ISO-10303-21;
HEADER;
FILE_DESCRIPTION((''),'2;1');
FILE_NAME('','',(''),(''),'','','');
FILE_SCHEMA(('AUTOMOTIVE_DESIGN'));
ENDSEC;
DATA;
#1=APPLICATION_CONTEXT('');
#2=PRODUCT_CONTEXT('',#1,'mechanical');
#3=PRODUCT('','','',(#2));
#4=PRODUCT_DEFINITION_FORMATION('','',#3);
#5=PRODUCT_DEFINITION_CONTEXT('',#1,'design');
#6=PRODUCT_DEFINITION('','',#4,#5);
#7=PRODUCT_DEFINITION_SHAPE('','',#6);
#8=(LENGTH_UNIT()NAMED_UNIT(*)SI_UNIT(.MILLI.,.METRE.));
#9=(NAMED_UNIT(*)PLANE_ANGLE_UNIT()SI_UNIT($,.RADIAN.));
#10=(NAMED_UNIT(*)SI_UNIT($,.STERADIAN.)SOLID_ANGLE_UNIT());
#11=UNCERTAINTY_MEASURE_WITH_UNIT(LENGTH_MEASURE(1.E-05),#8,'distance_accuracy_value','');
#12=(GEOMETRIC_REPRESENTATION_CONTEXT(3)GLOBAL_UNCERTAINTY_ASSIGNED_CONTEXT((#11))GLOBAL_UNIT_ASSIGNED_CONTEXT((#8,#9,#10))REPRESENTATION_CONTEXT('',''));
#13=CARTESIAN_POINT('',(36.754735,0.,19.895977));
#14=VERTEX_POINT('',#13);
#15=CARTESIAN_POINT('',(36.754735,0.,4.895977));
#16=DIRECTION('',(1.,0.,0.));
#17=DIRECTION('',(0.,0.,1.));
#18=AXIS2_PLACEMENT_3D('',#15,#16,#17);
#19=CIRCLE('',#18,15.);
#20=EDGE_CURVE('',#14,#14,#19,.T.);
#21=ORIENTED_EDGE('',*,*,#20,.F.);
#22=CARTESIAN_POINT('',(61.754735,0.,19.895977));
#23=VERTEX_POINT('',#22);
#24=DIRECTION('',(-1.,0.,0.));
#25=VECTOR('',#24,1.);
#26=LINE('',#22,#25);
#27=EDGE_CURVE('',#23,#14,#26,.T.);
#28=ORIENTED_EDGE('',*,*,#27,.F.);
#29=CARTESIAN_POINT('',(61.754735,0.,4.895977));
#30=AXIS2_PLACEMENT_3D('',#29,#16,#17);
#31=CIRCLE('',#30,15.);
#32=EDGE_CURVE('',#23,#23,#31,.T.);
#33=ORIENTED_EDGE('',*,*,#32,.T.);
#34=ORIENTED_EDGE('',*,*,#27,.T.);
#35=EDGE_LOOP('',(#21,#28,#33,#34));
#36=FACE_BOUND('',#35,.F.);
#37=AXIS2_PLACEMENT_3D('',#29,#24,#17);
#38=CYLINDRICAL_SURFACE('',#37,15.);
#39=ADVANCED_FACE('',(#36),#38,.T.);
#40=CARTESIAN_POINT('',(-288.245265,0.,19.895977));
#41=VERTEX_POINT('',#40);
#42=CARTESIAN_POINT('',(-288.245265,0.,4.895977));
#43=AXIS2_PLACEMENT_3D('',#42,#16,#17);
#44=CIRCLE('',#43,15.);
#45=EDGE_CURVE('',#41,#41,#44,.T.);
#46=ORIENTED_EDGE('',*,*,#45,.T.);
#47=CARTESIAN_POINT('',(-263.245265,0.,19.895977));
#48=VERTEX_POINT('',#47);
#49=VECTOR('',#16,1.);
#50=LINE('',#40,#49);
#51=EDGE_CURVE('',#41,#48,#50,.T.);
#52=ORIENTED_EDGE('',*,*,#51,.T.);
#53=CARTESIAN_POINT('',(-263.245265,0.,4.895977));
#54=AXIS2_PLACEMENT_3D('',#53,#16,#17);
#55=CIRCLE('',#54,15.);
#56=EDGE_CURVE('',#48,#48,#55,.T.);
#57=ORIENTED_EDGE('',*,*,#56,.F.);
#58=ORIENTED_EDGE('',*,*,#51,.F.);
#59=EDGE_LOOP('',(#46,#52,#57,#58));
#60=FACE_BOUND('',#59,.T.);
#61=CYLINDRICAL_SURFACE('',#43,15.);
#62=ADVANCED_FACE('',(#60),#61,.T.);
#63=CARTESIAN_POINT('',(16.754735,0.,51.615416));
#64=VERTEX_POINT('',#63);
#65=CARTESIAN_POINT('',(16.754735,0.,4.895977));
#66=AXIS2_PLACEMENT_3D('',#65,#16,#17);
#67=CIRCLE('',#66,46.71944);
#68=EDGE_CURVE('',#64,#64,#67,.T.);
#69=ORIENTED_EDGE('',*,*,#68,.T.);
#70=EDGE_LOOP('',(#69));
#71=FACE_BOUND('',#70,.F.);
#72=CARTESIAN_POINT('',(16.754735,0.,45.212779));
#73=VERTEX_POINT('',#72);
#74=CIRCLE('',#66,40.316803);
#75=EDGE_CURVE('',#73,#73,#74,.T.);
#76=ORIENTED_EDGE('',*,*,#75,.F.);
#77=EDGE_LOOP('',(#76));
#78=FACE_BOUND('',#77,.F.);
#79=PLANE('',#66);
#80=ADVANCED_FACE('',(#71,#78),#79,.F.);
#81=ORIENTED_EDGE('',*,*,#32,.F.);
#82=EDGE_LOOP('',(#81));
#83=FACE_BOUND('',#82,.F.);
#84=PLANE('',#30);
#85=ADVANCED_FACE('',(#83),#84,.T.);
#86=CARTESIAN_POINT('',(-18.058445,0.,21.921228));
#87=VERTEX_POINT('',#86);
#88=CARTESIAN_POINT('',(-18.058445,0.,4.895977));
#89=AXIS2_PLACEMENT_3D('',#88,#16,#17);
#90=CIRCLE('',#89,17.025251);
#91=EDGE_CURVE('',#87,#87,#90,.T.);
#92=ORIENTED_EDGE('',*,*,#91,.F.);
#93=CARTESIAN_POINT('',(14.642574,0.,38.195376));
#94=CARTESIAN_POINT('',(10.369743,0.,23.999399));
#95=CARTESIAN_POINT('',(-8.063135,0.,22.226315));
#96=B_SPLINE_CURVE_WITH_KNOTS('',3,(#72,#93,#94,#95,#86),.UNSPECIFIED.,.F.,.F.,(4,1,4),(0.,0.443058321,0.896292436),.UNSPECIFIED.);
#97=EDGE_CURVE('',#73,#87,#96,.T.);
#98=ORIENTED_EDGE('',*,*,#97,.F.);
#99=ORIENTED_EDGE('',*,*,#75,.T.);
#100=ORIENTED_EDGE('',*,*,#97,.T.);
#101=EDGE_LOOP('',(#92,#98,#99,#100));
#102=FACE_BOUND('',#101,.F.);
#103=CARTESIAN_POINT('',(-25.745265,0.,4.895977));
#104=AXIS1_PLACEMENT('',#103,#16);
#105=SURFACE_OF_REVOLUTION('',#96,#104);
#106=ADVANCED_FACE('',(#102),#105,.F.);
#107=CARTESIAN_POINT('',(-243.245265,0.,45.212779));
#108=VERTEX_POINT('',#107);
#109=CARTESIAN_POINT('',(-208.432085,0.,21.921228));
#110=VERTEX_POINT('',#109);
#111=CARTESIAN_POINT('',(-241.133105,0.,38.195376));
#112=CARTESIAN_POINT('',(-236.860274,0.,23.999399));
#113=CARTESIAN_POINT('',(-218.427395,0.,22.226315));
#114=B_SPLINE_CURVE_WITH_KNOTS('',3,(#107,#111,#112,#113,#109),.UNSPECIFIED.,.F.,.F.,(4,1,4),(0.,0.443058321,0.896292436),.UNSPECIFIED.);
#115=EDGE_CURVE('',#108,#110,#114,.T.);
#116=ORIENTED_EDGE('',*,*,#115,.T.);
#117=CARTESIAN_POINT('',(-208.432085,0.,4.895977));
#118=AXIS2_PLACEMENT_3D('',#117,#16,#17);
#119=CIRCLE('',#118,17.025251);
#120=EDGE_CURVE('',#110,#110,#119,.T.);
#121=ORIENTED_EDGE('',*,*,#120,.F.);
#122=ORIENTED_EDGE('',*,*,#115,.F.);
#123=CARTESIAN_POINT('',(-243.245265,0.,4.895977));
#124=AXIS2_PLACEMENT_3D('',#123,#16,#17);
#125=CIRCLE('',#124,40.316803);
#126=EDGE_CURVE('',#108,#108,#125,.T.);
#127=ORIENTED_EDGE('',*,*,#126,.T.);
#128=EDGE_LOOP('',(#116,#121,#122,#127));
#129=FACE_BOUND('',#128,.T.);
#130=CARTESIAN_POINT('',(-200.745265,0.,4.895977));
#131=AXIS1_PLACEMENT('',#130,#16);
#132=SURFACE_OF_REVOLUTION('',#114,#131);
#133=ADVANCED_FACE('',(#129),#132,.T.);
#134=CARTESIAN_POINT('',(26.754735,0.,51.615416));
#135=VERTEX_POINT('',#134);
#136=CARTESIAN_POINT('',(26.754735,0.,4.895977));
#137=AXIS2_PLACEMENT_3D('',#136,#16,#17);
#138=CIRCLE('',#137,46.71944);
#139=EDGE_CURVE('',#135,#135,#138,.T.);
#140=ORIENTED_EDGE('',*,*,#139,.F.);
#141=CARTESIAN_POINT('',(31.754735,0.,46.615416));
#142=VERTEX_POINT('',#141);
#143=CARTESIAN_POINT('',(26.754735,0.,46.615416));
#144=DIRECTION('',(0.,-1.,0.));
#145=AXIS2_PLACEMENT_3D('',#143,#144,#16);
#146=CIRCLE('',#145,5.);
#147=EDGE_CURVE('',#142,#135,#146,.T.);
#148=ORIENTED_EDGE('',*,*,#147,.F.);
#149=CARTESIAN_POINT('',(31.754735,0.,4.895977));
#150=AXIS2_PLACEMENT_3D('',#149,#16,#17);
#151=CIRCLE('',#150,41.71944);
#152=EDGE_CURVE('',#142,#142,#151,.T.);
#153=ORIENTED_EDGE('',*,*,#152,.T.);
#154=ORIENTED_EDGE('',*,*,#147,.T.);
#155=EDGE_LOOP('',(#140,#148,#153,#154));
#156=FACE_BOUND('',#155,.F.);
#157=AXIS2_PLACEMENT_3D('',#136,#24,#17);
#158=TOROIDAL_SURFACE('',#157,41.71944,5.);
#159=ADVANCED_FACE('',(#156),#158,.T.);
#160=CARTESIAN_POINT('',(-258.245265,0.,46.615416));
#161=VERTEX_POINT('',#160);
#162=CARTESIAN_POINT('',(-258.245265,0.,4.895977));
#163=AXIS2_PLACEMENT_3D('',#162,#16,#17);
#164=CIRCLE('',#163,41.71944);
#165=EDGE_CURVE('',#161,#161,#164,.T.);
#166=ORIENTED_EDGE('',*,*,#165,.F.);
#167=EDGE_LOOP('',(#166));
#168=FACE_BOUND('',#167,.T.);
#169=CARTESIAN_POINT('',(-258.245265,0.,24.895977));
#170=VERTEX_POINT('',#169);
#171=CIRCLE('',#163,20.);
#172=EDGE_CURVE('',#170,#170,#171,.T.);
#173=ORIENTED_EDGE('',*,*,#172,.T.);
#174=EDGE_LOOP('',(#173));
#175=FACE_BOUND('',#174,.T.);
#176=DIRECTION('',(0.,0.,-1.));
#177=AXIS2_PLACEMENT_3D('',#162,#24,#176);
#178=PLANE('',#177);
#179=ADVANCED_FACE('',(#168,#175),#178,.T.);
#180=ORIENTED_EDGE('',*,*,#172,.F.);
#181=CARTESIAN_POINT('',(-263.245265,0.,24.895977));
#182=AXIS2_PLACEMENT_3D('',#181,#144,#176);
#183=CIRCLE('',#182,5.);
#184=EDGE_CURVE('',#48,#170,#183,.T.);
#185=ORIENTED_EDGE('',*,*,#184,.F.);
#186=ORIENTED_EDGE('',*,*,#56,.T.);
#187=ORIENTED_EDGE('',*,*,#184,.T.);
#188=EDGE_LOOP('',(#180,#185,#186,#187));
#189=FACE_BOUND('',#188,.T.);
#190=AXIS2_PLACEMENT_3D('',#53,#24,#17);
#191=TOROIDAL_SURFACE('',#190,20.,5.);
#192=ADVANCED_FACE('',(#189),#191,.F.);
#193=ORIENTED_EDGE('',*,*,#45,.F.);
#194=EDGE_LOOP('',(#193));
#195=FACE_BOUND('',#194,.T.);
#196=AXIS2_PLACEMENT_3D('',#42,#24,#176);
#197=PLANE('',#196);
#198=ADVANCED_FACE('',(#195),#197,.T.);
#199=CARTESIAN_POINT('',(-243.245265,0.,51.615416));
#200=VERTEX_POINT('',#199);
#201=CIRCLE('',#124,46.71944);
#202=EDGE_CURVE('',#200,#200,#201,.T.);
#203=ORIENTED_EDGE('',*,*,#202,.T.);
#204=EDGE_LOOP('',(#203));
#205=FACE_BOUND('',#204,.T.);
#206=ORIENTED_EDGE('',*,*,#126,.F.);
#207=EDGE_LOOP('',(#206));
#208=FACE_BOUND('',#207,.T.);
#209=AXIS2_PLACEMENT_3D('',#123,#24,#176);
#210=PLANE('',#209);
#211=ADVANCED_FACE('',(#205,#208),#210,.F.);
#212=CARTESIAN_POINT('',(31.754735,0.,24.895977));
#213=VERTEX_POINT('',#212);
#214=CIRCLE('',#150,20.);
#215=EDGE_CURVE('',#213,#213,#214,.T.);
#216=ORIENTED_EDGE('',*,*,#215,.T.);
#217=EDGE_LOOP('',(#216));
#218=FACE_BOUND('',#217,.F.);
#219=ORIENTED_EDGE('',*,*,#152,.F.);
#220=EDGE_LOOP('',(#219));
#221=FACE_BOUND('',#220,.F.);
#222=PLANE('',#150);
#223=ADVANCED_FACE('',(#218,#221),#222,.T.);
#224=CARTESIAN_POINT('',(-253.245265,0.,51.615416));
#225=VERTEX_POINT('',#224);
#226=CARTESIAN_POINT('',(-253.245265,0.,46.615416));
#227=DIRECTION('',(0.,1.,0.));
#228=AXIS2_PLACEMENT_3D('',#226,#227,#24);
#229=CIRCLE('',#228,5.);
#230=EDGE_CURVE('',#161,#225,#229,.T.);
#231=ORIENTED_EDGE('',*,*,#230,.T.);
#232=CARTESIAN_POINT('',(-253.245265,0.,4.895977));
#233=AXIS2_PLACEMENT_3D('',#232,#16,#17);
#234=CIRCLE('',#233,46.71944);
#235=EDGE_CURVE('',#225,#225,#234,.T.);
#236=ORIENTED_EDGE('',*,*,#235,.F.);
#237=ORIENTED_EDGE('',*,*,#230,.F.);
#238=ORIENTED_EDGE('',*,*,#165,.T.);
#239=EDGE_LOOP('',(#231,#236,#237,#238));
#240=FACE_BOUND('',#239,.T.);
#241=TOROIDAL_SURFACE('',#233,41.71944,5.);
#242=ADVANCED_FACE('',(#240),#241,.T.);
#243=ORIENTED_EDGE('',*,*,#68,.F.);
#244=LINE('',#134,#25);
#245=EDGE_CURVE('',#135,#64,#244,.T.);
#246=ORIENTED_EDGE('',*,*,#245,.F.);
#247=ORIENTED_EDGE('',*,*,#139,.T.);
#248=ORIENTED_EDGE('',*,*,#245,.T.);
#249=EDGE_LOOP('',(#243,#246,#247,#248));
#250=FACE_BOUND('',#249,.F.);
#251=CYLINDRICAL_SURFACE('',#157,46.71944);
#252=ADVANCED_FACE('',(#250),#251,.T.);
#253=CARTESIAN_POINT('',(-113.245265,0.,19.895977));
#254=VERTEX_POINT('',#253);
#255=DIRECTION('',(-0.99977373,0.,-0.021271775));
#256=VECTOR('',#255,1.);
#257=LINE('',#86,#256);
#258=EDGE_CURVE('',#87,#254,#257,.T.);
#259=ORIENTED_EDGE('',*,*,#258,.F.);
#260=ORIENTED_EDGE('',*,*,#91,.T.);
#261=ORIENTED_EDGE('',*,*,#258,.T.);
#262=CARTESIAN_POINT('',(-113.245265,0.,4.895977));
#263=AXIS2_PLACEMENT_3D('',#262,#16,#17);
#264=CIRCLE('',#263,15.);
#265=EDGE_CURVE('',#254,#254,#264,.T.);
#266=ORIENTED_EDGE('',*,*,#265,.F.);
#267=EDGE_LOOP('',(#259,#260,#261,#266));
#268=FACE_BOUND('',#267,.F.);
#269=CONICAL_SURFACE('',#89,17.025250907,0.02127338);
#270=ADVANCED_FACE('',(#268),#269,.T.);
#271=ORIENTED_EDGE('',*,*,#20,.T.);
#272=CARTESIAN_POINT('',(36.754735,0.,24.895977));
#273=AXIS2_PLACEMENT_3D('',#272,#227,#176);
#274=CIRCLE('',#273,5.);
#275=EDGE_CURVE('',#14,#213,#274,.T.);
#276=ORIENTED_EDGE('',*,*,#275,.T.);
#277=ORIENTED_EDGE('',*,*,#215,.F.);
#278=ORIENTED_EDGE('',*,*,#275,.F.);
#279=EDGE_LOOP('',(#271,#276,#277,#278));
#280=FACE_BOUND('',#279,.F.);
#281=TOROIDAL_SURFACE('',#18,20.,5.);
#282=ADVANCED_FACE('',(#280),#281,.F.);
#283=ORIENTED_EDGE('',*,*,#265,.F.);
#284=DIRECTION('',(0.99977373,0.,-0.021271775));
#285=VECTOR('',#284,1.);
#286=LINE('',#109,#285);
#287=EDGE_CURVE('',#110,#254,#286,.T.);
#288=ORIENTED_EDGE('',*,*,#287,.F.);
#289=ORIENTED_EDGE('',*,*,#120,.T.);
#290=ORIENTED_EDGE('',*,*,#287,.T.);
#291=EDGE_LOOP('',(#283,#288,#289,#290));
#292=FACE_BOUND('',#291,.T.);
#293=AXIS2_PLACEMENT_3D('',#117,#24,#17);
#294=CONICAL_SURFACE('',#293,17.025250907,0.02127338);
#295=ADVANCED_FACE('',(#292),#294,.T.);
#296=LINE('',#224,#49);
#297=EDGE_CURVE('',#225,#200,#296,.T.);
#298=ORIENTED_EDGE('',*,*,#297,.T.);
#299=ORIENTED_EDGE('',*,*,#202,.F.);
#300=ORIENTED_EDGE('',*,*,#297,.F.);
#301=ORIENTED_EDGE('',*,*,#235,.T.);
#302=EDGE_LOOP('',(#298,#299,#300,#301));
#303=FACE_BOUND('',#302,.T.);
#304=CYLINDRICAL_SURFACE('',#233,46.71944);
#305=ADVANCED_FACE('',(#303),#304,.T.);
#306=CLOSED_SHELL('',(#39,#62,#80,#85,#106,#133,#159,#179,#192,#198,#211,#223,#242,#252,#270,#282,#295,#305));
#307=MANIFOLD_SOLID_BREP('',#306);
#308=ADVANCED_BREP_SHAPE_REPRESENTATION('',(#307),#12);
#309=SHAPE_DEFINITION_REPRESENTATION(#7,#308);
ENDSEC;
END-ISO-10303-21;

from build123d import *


with BuildPart() as f1:
    # F0 (on Front) → F1 (revolve)
    with BuildSketch(Plane.XZ):
        with BuildLine():
            Line((-24.9903301983, 21.7737406916), (-113.2452650991, 19.8959766657))
            Line((-113.2452650991, 19.8959766657), (-113.2452650991, 4.8959766657))
            Line((-113.2452650991, 4.8959766657), (61.7547349009, 4.8959766657))
            Line((61.7547349009, 4.8959766657), (61.7547349009, 19.8959766657))
            Line((61.7547349009, 19.8959766657), (36.7547349009, 19.8959766657))
            ThreePointArc((36.7547349009, 19.8959766657), (33.2192009949, 21.3604427598), (31.7547349009, 24.8959766657))
            Line((31.7547349009, 24.8959766657), (31.7547349009, 46.6154164807))
            ThreePointArc((31.7547349009, 46.6154164807), (30.2902688068, 50.1509503867), (26.7547349009, 51.6154164807))
            Line((26.7547349009, 51.6154164807), (16.7547349009, 51.6154164807))
            Line((16.7547349009, 51.6154164807), (16.7547349009, 45.2127791941))
            add(Edge.make_bspline(
                [(16.7547349009, 45.2127791941), (14.6425744881, 38.1953757962), (10.3697433231, 23.9993991291), (-8.0631348251, 22.2263150664), (-18.0584447884, 21.9212275723)],
                knots=[0, 0, 0, 0, 0.4430583211, 0.8962924364, 0.8962924364, 0.8962924364, 0.8962924364], degree=3))
            add(Edge.make_bspline(
                [(-18.0584447884, 21.9212275723), (-20.3455392693, 21.8514184391), (-22.6679347338, 21.8125795654), (-24.9903301983, 21.7737406916)],
                knots=[0.8962924364, 0.8962924364, 0.8962924364, 0.8962924364, 1, 1, 1, 1], degree=3))
        make_face()
        with BuildLine():
            Line((-18.0584447884, 21.9212275723), (-24.9903301983, 21.7737406916))
            add(Edge.make_bspline(
                [(-18.0584447884, 21.9212275723), (-20.3455392693, 21.8514184391), (-22.6679347338, 21.8125795654), (-24.9903301983, 21.7737406916)],
                knots=[0.8962924364, 0.8962924364, 0.8962924364, 0.8962924364, 1, 1, 1, 1], degree=3))
        make_face()
    revolve(axis=Axis((-25.7452650991, 0, 4.8959766657), (1, 0, 0)))

    # F2: F1 across face


with BuildPart() as f1_1:
    add(f1.part)
    add(f1.part.mirror(Plane(origin=(-113.2452650991, 0, 4.8959766657), x_dir=(0, -1, 0), z_dir=(-1, 0, 0))))


solid = f1_1.part
